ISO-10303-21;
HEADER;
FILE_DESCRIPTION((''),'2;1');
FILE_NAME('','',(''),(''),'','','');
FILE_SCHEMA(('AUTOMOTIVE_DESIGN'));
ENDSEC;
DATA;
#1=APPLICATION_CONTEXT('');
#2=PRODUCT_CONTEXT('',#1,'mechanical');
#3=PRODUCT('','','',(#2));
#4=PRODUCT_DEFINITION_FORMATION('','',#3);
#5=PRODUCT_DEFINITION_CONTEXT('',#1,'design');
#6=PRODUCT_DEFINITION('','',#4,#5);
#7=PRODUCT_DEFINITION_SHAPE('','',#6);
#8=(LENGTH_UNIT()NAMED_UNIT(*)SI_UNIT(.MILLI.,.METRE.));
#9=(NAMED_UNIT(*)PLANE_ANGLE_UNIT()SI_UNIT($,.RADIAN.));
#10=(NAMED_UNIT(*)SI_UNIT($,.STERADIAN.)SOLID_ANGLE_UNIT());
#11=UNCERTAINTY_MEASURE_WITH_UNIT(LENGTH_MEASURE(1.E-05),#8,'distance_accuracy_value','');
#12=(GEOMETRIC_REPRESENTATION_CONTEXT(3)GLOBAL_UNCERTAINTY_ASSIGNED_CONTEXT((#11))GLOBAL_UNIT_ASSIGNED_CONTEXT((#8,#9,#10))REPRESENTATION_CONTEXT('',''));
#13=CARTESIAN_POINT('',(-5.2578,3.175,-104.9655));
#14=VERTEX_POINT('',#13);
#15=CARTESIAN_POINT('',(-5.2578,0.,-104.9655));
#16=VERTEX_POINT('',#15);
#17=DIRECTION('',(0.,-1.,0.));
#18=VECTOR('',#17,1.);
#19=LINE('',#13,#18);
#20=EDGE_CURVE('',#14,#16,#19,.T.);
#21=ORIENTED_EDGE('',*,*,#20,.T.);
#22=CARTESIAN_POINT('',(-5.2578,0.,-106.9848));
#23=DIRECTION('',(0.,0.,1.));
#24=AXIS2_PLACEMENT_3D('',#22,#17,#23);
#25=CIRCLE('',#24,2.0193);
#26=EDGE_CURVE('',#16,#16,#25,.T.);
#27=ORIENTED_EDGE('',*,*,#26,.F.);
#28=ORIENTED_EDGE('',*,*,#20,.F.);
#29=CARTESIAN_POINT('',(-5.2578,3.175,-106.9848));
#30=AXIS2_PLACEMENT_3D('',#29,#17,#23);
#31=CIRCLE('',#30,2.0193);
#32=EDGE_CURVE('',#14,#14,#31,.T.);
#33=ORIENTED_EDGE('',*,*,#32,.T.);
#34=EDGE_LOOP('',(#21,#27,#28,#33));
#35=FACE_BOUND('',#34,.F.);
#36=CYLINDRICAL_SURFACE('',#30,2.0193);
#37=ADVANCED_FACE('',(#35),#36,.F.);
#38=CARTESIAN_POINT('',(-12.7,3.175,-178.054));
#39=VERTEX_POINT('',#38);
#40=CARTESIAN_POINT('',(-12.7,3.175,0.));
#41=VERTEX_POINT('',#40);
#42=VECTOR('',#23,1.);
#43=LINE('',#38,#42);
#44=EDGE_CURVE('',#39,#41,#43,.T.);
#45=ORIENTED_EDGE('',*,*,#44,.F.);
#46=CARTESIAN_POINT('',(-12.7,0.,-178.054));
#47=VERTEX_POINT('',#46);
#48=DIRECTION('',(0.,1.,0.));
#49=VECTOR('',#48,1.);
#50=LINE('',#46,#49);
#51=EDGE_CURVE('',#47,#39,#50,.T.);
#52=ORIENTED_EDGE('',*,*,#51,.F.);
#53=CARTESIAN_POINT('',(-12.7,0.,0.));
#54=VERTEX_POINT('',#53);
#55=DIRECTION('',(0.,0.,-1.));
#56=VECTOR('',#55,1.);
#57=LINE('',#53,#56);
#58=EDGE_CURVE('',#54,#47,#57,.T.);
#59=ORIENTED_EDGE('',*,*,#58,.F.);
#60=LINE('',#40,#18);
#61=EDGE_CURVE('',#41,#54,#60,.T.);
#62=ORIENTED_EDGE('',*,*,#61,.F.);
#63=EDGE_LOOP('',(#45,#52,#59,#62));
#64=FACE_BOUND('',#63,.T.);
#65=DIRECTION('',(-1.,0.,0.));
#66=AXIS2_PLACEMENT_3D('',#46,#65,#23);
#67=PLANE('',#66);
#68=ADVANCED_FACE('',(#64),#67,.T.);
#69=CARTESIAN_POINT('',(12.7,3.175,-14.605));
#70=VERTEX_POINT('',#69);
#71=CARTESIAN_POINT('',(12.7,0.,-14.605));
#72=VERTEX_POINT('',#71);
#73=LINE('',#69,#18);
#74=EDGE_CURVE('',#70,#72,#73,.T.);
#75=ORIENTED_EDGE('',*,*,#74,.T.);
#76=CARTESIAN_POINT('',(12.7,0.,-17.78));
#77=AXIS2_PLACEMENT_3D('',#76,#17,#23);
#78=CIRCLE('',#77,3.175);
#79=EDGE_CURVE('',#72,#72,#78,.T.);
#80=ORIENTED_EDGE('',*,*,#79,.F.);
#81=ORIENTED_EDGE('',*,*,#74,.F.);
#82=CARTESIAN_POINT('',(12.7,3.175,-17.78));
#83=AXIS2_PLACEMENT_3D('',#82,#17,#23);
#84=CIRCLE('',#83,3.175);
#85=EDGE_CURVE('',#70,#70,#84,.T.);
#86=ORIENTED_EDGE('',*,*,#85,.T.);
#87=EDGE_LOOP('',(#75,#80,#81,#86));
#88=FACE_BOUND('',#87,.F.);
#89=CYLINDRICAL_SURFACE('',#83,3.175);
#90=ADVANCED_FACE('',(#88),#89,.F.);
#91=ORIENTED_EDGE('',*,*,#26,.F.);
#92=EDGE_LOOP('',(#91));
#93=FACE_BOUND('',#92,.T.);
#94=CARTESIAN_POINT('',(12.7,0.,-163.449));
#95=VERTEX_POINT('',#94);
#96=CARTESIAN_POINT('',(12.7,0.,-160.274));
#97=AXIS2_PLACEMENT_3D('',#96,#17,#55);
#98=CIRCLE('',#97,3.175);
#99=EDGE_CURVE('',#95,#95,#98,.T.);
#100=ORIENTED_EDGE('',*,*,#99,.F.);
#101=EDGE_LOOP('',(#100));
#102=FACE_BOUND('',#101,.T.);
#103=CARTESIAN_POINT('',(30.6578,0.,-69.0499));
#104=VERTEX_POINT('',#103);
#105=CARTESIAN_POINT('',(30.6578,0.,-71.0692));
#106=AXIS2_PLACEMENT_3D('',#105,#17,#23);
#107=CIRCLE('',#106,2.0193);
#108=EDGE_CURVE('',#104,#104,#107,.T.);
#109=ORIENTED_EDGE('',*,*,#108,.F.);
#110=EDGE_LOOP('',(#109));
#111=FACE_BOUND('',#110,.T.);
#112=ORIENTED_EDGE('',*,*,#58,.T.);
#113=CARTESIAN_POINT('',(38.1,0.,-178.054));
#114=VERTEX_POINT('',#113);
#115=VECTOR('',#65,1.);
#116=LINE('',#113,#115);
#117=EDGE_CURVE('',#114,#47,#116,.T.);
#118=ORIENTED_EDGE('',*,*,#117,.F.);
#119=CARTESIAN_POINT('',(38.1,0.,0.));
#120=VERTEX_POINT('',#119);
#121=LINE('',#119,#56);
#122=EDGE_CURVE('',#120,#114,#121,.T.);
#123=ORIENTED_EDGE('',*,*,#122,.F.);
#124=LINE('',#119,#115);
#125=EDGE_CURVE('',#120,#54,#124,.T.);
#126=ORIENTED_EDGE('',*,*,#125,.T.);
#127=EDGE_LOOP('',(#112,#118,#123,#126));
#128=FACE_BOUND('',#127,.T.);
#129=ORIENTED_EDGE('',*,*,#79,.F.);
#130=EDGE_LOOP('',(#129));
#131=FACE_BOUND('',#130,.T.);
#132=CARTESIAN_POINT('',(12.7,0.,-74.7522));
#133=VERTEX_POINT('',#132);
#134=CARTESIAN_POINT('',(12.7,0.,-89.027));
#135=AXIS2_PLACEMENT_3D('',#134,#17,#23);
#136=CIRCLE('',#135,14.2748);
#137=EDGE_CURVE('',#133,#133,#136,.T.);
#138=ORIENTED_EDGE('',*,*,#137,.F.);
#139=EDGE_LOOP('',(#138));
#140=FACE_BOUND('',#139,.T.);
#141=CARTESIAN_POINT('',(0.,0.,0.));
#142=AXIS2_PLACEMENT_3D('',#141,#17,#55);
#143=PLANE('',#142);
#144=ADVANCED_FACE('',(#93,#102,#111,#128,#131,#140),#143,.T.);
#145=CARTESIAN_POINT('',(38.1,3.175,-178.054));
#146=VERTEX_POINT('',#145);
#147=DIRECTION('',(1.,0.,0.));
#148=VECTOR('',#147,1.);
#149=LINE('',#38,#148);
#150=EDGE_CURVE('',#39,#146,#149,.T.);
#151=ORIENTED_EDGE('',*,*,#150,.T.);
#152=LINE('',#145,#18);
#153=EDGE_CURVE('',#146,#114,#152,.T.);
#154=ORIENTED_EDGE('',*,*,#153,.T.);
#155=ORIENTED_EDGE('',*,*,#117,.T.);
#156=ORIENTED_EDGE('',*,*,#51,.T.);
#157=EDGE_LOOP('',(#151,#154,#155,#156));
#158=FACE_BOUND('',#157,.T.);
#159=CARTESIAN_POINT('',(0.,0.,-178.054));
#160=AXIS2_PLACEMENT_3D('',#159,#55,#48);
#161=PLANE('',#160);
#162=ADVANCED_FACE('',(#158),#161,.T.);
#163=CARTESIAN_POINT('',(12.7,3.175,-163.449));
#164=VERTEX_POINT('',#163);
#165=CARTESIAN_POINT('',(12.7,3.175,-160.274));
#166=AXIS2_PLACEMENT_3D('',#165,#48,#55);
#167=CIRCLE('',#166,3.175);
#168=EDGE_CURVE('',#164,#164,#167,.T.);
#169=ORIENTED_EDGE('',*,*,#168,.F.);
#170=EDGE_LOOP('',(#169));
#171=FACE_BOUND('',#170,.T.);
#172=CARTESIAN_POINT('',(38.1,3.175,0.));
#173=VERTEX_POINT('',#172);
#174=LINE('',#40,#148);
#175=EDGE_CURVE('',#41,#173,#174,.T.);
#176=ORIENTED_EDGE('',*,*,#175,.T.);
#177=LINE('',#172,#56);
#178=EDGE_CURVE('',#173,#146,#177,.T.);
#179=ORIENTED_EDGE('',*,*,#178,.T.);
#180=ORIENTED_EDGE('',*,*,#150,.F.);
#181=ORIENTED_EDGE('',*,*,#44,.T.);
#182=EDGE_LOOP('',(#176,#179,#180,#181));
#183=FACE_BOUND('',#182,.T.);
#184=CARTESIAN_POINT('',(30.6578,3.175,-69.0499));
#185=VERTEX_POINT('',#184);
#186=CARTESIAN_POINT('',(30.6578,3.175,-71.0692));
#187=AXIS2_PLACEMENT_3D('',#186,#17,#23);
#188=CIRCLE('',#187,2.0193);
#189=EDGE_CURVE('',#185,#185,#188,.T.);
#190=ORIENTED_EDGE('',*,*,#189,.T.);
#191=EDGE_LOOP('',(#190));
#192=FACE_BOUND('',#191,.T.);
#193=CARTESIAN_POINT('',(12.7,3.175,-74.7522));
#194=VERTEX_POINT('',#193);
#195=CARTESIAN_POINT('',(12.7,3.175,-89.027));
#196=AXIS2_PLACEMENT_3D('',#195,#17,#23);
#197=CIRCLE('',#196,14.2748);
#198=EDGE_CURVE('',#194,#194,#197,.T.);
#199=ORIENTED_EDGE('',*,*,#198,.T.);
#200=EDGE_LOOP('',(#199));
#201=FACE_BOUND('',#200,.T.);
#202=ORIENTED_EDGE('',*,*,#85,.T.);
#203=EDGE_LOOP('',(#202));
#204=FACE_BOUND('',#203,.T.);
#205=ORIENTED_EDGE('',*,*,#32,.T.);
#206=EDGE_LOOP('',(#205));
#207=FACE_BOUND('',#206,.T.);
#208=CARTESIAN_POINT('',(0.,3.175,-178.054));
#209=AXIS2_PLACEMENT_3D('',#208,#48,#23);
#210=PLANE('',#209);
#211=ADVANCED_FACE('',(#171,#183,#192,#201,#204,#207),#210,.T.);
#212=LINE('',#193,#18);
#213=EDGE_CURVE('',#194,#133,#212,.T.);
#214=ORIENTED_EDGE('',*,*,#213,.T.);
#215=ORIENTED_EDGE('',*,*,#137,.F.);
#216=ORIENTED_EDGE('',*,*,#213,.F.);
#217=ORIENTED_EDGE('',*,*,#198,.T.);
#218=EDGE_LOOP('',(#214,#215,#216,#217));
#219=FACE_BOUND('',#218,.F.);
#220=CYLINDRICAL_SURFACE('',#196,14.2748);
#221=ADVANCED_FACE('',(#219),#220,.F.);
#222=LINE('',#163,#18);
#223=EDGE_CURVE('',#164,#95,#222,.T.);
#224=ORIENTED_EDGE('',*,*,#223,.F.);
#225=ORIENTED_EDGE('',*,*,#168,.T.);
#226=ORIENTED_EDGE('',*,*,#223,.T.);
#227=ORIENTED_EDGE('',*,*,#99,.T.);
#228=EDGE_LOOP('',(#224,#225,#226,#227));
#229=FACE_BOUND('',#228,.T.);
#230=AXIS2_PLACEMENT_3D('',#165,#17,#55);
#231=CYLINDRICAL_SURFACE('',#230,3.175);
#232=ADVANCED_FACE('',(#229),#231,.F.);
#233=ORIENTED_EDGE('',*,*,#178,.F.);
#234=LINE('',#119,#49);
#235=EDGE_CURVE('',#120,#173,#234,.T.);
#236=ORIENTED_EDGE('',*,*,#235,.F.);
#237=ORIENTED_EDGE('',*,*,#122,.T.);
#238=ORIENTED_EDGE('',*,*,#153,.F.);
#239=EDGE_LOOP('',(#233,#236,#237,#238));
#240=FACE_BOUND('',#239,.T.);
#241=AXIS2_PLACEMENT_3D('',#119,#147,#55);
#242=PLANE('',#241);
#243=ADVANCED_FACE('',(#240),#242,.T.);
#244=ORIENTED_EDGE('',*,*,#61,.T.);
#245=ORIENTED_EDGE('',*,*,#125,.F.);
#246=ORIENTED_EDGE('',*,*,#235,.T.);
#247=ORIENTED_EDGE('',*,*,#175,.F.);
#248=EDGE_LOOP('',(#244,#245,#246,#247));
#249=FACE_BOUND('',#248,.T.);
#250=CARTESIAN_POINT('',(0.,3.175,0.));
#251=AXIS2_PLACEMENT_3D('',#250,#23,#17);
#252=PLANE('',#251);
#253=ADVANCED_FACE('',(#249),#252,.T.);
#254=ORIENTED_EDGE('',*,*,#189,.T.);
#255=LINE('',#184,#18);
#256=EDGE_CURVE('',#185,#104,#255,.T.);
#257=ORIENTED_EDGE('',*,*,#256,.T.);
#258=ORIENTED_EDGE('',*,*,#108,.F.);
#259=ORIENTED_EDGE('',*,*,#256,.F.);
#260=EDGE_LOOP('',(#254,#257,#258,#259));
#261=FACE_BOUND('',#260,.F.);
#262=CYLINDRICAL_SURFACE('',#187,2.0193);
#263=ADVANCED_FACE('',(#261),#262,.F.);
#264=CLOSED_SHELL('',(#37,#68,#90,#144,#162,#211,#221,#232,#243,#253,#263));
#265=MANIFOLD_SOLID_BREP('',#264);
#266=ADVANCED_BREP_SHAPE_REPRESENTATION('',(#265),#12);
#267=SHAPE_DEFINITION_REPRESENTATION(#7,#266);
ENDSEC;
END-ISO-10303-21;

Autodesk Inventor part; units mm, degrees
ref_plane "YZ Plane" through (0, 0, 0) normal (1, 0, 0) x (0, 1, 0)
ref_plane "XZ Plane" through (0, 0, 0) normal (0, 1, 0) x (-1, 0, 0)
sketch "Sketch1" plane through (0, 0, 0) normal (0, 1, 0) x (-1, 0, 0)
  line L0 (0, 0) -> (-25.4, 0)
  line L1 (-25.4, 0) -> (-25.4, -178.054)
  line L2 (-25.4, -178.054) -> (0, -178.054)
  line L3 (0, -178.054) -> (0, 0)
  dimension "d0" = 25.4
  dimension "d1" = 178.054
extrude "Extrusion1" add sketch "Sketch1" along normal blind 3.175
sketch "Sketch2" plane through (0, 3.175, 0) normal (0, 1, 0) x (1, 0, 0)
  line L0 (0, 178.054) -> (0, 0) projected
  line L1 (0, 0) -> (25.4, 0) projected
  point P0 (12.7, 17.78)
  dimension "d4" = 12.7
  dimension "d5" = 17.78
hole "Hole1" at (12.7, 3.175, -17.78) direction (0, -1, 0) diameter 6.35 end through all
ref_plane "Work Plane1" through (25.4, 0, -89.027) normal (0, 0, -1) x (-1, 0, 0)
mirror "Mirror1" about plane through (25.4, 0, -89.027) normal (0, 0, -1) of "Hole1"
sketch "Sketch3" plane through (25.4, 0, 0) normal (1, 0, 0) x (0, 0, -1)
  line L0 (0, 3.175) -> (178.054, 3.175) projected
  line L1 (0, 0) -> (178.054, 0) projected
  line L2 (0, 3.175) -> (178.054, 3.175)
  line L3 (178.054, 3.175) -> (178.054, 0)
  line L4 (178.054, 0) -> (0, 0)
  line L5 (0, 0) -> (0, 3.175)
extrude "Extrusion2" add sketch "Sketch3" along normal blind 12.7
sketch "Sketch4" plane through (0, 0, -178.054) normal (-1, 0, 0) x (0, 0, 1)
  line L0 (0, 0) -> (0, 3.175) projected
  line L1 (178.054, 0) -> (0, 0)
  line L2 (0, 0) -> (0, 3.175)
  line L3 (0, 3.175) -> (178.054, 3.175)
  line L4 (178.054, 3.175) -> (178.054, 0)
extrude "Extrusion3" add sketch "Sketch4" along normal blind 12.7
sketch "Sketch5" plane through (0, 3.175, 0) normal (0, 1, 0) x (1, 0, 0)
  line L0 (-12.7, 0) -> (-12.7, 178.054) projected
  line L1 (38.1, 0) -> (-12.7, 0) projected
  point P0 (0, 0)
  point P1 (12.7, 89.027)
  dimension "d17" = 25.4
  dimension "d18" = 89.027
hole "Hole2" at (12.7, 3.175, -89.027) direction (0, -1, 0) diameter 28.5496 end through all
sketch "Sketch6" plane through (0, 3.175, 0) normal (0, 1, 0) x (1, 0, 0)
  line L0 (38.1, 0) -> (-12.7, 0) projected
  line L1 (38.1, 0) -> (38.1, 178.054) projected
  point P0 (0, 0)
  point P1 (30.6578, 71.0692)
  dimension "d26" = 71.0692
  dimension "d27" = 7.4422
hole "Hole3" at (30.6578, 3.175, -71.0692) direction (0, -1, 0) diameter 4.0386 end through all
sketch "Sketch7" plane through (0, 3.175, 0) normal (0, 1, 0) x (1, 0, 0)
  line L0 (-12.7, 0) -> (-12.7, 178.054) projected
  line L1 (-12.7, 178.054) -> (38.1, 178.054) projected
  point P0 (0, 0)
  point P1 (-5.2578, 106.9848)
  dimension "d35" = 7.4422
  dimension "d36" = 71.0692
hole "Hole4" at (-5.2578, 3.175, -106.9848) direction (0, -1, 0) diameter 4.0386 end through all
properties part number "BAGMotor Beam"
